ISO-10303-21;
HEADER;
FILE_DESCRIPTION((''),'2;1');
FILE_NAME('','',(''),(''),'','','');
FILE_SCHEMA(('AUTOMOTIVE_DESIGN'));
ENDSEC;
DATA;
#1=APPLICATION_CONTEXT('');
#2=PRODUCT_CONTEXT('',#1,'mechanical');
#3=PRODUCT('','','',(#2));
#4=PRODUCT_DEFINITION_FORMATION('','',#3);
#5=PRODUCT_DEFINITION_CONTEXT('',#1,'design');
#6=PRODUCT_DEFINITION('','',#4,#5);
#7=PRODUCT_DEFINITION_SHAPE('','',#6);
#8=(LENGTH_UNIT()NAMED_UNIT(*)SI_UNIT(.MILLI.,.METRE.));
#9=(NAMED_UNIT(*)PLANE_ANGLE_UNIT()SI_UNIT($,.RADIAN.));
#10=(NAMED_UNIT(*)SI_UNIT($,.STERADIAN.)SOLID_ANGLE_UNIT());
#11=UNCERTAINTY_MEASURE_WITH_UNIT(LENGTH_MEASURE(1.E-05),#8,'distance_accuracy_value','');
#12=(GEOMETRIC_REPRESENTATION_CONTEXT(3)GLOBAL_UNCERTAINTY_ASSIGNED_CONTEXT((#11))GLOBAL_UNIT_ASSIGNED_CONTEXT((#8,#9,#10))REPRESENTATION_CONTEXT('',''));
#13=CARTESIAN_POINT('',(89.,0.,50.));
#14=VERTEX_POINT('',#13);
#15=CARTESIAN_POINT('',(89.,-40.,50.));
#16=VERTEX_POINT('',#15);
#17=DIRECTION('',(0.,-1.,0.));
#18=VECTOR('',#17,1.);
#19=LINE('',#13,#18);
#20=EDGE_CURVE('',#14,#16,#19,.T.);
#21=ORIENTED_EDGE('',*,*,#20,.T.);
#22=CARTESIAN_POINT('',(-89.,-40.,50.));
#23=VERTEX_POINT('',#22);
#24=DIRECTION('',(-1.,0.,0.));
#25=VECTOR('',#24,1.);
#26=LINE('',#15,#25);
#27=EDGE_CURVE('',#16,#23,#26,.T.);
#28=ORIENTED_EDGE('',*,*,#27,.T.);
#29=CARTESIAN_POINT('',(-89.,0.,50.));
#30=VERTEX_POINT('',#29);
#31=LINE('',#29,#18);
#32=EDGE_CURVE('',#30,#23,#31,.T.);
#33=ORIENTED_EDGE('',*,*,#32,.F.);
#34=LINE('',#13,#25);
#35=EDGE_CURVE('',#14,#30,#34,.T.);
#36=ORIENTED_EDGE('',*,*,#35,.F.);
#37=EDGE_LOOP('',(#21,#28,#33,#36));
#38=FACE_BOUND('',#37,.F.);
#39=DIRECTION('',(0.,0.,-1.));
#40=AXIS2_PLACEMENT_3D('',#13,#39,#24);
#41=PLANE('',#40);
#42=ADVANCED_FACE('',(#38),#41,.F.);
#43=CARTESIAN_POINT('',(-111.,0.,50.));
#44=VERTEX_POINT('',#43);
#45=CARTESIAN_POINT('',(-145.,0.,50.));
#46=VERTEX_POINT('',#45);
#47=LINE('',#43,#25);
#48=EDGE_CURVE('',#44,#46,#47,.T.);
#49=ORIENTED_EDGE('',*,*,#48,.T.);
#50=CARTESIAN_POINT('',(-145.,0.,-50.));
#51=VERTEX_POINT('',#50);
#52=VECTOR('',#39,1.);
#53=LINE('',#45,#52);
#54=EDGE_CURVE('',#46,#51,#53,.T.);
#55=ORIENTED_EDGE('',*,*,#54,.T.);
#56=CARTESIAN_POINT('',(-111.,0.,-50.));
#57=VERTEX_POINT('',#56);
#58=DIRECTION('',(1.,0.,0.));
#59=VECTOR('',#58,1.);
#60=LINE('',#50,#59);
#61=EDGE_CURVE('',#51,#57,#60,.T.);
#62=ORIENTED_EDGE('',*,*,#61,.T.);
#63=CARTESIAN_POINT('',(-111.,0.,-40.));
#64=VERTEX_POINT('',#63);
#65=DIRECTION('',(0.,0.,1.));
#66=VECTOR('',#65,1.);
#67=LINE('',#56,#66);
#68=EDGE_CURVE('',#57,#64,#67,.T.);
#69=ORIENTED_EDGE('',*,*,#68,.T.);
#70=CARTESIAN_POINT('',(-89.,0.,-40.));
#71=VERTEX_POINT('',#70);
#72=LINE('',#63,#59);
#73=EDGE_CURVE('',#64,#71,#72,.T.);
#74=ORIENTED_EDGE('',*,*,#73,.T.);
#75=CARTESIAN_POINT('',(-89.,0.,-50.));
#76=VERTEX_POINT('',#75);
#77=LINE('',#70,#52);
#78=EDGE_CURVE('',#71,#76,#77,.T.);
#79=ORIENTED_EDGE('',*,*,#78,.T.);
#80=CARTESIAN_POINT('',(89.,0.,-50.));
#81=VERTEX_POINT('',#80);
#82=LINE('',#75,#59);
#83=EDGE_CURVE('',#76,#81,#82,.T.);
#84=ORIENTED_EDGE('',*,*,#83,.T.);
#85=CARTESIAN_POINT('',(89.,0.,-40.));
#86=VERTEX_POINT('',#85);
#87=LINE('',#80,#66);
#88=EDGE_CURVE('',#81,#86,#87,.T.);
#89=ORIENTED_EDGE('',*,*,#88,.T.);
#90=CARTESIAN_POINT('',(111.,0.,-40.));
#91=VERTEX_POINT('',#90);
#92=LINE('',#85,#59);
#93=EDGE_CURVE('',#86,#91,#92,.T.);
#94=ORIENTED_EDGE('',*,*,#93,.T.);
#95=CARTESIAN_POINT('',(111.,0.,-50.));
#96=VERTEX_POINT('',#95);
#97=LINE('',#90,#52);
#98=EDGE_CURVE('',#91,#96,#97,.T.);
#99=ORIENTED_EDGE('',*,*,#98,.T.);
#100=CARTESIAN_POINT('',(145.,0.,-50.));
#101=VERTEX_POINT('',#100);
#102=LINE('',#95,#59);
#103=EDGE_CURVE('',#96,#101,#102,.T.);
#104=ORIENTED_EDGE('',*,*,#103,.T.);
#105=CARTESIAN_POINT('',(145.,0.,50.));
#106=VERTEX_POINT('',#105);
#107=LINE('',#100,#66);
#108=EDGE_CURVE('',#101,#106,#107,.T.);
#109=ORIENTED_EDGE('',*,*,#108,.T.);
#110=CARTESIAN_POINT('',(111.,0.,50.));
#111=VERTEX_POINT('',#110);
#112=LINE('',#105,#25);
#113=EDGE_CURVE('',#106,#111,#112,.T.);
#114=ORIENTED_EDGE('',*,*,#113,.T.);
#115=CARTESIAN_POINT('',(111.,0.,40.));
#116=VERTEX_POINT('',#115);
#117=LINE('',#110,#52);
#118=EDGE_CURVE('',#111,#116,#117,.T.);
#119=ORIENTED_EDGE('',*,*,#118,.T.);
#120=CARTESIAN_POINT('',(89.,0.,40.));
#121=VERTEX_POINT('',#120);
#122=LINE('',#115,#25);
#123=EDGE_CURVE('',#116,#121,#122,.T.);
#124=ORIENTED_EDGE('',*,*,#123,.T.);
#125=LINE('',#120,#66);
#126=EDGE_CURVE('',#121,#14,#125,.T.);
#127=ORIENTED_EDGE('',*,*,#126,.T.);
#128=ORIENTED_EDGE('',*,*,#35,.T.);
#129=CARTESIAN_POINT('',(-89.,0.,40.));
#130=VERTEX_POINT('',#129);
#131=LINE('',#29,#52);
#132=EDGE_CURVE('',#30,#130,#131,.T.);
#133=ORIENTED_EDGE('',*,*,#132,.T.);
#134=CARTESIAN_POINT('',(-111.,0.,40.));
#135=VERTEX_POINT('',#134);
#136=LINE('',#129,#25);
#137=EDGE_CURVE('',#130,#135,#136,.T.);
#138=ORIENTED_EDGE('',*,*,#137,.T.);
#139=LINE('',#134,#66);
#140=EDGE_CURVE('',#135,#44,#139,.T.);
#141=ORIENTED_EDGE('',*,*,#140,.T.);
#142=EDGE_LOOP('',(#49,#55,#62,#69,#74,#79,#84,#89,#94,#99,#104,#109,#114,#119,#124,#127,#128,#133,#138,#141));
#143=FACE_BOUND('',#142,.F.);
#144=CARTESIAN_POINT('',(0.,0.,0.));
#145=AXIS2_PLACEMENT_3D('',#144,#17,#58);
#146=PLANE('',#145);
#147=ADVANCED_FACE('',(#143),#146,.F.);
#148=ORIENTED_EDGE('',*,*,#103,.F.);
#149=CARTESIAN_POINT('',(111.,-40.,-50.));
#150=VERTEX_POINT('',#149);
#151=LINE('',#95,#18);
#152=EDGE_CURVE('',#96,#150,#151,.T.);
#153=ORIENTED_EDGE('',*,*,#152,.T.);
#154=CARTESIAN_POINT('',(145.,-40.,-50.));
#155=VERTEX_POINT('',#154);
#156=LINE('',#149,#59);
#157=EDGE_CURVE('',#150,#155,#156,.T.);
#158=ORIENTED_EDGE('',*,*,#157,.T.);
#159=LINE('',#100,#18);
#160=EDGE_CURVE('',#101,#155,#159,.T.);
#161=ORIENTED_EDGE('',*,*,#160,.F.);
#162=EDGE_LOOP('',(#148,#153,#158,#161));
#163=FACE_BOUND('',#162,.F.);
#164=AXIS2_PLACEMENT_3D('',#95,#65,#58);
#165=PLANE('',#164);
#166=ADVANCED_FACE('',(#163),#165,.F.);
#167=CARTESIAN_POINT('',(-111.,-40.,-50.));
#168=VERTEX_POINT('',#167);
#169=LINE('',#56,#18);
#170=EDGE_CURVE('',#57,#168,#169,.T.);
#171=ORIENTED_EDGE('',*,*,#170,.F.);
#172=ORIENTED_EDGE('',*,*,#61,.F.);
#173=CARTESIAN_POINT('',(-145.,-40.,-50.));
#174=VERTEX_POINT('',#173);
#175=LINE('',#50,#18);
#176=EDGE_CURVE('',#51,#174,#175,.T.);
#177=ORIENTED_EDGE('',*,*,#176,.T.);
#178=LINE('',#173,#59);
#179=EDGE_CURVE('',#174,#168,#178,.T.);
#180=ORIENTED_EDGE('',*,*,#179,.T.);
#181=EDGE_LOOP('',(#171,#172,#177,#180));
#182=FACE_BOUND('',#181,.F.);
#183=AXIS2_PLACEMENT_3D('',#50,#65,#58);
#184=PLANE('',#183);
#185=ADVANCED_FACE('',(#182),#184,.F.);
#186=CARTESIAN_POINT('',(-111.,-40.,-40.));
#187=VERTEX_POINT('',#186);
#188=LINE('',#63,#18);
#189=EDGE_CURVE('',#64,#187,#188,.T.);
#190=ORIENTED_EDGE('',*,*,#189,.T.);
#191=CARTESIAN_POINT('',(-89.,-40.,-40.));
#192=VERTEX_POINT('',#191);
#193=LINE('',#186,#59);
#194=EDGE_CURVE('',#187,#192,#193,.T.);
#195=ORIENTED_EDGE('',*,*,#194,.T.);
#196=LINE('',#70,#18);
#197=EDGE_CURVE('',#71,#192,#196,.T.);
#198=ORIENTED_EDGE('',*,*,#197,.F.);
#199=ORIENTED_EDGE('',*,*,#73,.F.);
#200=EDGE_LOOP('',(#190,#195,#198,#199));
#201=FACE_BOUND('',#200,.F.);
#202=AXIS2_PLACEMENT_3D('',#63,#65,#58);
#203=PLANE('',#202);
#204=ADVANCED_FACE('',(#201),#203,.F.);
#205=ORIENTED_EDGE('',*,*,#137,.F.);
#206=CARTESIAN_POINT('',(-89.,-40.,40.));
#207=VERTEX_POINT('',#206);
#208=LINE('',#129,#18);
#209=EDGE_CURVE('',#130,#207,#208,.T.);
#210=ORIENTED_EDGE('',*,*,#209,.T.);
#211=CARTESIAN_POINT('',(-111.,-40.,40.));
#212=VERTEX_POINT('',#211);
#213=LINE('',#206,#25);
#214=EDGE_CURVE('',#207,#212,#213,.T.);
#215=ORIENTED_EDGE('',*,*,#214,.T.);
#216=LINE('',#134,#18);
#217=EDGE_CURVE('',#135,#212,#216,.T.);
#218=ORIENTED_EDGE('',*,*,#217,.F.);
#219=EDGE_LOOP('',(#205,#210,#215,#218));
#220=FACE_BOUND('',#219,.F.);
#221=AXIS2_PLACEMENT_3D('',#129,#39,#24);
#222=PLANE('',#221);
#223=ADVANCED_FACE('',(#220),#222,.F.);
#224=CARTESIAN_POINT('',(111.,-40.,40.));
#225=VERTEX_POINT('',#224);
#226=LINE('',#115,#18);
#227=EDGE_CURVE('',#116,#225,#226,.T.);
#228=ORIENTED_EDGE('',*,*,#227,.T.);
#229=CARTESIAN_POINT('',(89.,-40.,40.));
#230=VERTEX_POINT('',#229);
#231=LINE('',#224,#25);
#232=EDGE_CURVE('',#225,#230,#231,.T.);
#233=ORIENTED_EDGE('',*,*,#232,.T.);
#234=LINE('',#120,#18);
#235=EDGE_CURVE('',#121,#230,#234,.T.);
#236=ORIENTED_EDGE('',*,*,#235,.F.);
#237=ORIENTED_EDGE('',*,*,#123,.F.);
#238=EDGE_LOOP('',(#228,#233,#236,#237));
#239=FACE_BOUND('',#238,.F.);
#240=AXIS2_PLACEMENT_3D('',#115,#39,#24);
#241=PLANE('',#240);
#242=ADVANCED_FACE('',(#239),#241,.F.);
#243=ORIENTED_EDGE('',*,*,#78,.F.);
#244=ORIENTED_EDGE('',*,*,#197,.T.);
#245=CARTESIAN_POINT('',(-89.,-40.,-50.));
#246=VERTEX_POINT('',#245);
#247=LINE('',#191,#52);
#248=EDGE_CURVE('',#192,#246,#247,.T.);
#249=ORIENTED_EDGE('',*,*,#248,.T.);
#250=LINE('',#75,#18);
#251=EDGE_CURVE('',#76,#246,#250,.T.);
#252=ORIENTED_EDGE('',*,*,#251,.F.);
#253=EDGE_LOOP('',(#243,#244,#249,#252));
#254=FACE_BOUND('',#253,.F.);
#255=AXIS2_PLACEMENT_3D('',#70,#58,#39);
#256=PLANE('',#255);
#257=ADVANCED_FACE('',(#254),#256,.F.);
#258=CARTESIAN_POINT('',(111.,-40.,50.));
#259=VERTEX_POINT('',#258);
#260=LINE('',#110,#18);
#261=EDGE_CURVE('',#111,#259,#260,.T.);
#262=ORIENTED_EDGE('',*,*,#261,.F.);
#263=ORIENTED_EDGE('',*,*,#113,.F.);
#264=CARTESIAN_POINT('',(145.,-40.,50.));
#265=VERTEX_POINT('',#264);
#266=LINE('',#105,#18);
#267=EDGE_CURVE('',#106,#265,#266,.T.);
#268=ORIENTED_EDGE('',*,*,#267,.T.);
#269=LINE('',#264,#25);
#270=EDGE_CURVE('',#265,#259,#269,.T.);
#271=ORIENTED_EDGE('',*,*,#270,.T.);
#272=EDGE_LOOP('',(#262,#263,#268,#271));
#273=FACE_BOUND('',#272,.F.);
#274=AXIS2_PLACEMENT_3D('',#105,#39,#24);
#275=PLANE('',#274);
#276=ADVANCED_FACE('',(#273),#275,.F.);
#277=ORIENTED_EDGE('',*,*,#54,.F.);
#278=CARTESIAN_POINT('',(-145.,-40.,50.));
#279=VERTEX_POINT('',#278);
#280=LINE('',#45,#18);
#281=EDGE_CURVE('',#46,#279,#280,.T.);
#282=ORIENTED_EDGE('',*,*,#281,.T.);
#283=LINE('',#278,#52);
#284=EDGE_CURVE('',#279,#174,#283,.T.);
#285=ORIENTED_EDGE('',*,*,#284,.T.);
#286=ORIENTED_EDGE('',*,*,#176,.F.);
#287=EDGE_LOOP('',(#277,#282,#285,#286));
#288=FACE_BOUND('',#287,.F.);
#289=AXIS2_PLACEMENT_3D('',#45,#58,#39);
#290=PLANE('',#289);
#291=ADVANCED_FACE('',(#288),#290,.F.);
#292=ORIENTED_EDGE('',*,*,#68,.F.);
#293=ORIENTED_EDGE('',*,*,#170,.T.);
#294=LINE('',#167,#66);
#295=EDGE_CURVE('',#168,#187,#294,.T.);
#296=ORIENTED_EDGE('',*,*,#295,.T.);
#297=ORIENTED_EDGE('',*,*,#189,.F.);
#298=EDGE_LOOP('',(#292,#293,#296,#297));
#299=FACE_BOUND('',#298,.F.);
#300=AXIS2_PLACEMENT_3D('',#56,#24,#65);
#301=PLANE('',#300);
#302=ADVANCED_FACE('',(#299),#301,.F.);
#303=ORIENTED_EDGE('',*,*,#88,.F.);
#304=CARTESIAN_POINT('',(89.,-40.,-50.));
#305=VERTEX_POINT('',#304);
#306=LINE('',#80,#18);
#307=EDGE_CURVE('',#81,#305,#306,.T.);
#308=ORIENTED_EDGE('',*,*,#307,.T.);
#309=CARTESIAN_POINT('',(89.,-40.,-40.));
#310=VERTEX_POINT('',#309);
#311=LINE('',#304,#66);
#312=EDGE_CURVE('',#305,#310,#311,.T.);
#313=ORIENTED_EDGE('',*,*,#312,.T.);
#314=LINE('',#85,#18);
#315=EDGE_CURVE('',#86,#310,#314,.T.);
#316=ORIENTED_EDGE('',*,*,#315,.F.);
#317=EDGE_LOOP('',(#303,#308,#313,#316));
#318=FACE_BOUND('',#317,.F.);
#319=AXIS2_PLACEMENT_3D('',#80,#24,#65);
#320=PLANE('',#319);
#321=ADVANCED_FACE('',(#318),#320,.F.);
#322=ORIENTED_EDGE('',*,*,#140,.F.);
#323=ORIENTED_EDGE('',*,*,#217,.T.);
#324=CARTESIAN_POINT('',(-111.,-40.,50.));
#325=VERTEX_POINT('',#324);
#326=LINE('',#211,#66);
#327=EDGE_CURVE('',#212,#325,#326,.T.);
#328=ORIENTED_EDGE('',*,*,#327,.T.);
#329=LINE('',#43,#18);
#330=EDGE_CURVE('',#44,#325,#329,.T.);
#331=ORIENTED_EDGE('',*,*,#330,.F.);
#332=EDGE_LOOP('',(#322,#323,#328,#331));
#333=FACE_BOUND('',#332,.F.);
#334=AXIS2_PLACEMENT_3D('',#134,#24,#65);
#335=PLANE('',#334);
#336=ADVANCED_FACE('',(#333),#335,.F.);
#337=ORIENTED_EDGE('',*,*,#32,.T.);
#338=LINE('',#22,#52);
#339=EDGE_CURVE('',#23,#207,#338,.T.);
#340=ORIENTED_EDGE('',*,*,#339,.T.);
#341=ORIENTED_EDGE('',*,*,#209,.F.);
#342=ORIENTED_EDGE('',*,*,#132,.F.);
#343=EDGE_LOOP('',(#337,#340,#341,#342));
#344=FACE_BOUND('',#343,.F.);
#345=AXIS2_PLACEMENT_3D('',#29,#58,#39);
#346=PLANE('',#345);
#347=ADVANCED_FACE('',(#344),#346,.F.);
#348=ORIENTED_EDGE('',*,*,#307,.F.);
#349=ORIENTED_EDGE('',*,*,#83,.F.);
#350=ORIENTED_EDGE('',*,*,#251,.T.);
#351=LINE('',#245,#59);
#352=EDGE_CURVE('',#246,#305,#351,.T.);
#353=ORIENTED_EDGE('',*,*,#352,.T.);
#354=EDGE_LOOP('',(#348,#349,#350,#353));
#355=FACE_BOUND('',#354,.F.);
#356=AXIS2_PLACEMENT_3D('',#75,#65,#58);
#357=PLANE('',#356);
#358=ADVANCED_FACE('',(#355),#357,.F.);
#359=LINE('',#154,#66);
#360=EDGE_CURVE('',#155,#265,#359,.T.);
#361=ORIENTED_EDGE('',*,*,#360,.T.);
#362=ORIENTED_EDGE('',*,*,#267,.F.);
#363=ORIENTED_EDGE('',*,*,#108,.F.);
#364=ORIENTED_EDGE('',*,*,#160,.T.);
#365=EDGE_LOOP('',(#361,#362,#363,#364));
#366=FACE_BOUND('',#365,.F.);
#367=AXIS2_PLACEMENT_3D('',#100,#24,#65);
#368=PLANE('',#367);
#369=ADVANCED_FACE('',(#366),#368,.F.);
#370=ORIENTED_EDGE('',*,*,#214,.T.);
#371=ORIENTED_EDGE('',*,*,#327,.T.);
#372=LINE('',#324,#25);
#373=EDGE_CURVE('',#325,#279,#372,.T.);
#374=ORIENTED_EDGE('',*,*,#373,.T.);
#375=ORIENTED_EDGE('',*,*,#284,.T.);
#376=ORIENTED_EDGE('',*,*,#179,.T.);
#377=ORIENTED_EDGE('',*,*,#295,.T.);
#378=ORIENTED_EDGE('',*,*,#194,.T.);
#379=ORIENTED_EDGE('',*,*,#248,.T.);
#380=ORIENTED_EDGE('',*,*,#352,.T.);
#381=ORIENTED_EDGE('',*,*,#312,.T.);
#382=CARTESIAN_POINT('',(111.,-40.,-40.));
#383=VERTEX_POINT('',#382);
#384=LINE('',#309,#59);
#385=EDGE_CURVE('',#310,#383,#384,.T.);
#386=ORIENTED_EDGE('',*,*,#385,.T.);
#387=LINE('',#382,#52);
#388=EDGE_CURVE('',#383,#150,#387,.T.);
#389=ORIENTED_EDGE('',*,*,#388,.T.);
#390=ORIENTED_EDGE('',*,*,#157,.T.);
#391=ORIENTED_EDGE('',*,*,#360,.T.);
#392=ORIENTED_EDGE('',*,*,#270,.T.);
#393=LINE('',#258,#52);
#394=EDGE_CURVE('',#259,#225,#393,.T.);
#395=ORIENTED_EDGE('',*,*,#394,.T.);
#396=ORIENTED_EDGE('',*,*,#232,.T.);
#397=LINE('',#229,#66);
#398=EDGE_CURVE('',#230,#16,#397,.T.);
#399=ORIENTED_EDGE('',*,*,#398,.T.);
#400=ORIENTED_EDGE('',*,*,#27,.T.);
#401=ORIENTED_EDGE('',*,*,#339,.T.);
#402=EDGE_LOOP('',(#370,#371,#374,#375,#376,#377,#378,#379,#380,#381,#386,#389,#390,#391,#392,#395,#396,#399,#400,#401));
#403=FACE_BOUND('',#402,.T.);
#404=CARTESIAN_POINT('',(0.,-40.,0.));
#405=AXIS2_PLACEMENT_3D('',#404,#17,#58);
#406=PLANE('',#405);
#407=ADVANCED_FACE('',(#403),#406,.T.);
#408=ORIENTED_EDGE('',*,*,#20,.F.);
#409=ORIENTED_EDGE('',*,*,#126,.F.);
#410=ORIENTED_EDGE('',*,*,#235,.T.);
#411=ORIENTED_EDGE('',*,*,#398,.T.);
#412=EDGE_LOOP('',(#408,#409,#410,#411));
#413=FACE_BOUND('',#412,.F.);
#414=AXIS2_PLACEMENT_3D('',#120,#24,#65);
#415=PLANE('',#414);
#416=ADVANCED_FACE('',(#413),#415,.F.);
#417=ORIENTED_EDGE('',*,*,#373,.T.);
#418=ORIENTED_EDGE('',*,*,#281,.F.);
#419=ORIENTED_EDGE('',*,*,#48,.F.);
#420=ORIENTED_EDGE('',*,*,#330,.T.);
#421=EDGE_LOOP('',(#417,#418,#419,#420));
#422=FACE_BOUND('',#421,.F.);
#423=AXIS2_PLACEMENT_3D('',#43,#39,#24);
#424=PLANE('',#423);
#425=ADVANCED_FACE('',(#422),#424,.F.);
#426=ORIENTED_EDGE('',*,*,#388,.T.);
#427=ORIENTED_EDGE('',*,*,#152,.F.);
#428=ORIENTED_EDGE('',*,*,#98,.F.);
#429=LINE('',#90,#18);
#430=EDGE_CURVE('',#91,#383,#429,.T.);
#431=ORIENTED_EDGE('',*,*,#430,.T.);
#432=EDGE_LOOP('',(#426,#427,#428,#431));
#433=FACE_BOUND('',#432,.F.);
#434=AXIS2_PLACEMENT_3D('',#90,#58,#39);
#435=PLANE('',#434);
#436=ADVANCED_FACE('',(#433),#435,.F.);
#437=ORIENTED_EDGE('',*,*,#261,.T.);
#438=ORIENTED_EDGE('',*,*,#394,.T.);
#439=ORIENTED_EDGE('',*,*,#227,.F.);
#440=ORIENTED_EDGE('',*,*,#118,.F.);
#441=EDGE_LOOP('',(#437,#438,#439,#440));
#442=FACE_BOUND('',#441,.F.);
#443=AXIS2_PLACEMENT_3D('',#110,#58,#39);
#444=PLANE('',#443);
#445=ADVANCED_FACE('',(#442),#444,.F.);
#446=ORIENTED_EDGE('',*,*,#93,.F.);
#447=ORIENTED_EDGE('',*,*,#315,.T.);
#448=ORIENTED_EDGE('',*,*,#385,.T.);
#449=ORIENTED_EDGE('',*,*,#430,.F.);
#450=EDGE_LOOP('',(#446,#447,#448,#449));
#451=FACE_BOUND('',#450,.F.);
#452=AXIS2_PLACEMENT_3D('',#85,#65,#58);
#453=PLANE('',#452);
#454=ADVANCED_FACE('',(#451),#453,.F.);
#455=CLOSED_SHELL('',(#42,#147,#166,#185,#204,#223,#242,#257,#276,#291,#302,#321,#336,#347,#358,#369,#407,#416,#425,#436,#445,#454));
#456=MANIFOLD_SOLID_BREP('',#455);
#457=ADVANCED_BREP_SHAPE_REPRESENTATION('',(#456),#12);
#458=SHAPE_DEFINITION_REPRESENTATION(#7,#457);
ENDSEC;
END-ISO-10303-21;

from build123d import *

# Parameters (mm, degrees)
F1_DEPTH = 40


with BuildPart() as f1:
    # F0 (on Front) → F1 (new body)
    with BuildSketch(Plane.XZ):
        Polygon((111, -50), (145, -50), (145, 50), (111, 50), (111, 40), (89, 40), (89, 50), (0, 50), (-89, 50), (-89, 40), (-111, 40), (-111, 50), (-128.898188, 50), (-134.427339, 50), (-138.919771, 50), (-145, 50), (-145, -50), (-111, -50), (-111, -40), (-89, -40), (-89, -50), (0, -50), (89, -50), (89, -40), (111, -40), align=None)
    extrude(amount=F1_DEPTH)


solid = f1.part
